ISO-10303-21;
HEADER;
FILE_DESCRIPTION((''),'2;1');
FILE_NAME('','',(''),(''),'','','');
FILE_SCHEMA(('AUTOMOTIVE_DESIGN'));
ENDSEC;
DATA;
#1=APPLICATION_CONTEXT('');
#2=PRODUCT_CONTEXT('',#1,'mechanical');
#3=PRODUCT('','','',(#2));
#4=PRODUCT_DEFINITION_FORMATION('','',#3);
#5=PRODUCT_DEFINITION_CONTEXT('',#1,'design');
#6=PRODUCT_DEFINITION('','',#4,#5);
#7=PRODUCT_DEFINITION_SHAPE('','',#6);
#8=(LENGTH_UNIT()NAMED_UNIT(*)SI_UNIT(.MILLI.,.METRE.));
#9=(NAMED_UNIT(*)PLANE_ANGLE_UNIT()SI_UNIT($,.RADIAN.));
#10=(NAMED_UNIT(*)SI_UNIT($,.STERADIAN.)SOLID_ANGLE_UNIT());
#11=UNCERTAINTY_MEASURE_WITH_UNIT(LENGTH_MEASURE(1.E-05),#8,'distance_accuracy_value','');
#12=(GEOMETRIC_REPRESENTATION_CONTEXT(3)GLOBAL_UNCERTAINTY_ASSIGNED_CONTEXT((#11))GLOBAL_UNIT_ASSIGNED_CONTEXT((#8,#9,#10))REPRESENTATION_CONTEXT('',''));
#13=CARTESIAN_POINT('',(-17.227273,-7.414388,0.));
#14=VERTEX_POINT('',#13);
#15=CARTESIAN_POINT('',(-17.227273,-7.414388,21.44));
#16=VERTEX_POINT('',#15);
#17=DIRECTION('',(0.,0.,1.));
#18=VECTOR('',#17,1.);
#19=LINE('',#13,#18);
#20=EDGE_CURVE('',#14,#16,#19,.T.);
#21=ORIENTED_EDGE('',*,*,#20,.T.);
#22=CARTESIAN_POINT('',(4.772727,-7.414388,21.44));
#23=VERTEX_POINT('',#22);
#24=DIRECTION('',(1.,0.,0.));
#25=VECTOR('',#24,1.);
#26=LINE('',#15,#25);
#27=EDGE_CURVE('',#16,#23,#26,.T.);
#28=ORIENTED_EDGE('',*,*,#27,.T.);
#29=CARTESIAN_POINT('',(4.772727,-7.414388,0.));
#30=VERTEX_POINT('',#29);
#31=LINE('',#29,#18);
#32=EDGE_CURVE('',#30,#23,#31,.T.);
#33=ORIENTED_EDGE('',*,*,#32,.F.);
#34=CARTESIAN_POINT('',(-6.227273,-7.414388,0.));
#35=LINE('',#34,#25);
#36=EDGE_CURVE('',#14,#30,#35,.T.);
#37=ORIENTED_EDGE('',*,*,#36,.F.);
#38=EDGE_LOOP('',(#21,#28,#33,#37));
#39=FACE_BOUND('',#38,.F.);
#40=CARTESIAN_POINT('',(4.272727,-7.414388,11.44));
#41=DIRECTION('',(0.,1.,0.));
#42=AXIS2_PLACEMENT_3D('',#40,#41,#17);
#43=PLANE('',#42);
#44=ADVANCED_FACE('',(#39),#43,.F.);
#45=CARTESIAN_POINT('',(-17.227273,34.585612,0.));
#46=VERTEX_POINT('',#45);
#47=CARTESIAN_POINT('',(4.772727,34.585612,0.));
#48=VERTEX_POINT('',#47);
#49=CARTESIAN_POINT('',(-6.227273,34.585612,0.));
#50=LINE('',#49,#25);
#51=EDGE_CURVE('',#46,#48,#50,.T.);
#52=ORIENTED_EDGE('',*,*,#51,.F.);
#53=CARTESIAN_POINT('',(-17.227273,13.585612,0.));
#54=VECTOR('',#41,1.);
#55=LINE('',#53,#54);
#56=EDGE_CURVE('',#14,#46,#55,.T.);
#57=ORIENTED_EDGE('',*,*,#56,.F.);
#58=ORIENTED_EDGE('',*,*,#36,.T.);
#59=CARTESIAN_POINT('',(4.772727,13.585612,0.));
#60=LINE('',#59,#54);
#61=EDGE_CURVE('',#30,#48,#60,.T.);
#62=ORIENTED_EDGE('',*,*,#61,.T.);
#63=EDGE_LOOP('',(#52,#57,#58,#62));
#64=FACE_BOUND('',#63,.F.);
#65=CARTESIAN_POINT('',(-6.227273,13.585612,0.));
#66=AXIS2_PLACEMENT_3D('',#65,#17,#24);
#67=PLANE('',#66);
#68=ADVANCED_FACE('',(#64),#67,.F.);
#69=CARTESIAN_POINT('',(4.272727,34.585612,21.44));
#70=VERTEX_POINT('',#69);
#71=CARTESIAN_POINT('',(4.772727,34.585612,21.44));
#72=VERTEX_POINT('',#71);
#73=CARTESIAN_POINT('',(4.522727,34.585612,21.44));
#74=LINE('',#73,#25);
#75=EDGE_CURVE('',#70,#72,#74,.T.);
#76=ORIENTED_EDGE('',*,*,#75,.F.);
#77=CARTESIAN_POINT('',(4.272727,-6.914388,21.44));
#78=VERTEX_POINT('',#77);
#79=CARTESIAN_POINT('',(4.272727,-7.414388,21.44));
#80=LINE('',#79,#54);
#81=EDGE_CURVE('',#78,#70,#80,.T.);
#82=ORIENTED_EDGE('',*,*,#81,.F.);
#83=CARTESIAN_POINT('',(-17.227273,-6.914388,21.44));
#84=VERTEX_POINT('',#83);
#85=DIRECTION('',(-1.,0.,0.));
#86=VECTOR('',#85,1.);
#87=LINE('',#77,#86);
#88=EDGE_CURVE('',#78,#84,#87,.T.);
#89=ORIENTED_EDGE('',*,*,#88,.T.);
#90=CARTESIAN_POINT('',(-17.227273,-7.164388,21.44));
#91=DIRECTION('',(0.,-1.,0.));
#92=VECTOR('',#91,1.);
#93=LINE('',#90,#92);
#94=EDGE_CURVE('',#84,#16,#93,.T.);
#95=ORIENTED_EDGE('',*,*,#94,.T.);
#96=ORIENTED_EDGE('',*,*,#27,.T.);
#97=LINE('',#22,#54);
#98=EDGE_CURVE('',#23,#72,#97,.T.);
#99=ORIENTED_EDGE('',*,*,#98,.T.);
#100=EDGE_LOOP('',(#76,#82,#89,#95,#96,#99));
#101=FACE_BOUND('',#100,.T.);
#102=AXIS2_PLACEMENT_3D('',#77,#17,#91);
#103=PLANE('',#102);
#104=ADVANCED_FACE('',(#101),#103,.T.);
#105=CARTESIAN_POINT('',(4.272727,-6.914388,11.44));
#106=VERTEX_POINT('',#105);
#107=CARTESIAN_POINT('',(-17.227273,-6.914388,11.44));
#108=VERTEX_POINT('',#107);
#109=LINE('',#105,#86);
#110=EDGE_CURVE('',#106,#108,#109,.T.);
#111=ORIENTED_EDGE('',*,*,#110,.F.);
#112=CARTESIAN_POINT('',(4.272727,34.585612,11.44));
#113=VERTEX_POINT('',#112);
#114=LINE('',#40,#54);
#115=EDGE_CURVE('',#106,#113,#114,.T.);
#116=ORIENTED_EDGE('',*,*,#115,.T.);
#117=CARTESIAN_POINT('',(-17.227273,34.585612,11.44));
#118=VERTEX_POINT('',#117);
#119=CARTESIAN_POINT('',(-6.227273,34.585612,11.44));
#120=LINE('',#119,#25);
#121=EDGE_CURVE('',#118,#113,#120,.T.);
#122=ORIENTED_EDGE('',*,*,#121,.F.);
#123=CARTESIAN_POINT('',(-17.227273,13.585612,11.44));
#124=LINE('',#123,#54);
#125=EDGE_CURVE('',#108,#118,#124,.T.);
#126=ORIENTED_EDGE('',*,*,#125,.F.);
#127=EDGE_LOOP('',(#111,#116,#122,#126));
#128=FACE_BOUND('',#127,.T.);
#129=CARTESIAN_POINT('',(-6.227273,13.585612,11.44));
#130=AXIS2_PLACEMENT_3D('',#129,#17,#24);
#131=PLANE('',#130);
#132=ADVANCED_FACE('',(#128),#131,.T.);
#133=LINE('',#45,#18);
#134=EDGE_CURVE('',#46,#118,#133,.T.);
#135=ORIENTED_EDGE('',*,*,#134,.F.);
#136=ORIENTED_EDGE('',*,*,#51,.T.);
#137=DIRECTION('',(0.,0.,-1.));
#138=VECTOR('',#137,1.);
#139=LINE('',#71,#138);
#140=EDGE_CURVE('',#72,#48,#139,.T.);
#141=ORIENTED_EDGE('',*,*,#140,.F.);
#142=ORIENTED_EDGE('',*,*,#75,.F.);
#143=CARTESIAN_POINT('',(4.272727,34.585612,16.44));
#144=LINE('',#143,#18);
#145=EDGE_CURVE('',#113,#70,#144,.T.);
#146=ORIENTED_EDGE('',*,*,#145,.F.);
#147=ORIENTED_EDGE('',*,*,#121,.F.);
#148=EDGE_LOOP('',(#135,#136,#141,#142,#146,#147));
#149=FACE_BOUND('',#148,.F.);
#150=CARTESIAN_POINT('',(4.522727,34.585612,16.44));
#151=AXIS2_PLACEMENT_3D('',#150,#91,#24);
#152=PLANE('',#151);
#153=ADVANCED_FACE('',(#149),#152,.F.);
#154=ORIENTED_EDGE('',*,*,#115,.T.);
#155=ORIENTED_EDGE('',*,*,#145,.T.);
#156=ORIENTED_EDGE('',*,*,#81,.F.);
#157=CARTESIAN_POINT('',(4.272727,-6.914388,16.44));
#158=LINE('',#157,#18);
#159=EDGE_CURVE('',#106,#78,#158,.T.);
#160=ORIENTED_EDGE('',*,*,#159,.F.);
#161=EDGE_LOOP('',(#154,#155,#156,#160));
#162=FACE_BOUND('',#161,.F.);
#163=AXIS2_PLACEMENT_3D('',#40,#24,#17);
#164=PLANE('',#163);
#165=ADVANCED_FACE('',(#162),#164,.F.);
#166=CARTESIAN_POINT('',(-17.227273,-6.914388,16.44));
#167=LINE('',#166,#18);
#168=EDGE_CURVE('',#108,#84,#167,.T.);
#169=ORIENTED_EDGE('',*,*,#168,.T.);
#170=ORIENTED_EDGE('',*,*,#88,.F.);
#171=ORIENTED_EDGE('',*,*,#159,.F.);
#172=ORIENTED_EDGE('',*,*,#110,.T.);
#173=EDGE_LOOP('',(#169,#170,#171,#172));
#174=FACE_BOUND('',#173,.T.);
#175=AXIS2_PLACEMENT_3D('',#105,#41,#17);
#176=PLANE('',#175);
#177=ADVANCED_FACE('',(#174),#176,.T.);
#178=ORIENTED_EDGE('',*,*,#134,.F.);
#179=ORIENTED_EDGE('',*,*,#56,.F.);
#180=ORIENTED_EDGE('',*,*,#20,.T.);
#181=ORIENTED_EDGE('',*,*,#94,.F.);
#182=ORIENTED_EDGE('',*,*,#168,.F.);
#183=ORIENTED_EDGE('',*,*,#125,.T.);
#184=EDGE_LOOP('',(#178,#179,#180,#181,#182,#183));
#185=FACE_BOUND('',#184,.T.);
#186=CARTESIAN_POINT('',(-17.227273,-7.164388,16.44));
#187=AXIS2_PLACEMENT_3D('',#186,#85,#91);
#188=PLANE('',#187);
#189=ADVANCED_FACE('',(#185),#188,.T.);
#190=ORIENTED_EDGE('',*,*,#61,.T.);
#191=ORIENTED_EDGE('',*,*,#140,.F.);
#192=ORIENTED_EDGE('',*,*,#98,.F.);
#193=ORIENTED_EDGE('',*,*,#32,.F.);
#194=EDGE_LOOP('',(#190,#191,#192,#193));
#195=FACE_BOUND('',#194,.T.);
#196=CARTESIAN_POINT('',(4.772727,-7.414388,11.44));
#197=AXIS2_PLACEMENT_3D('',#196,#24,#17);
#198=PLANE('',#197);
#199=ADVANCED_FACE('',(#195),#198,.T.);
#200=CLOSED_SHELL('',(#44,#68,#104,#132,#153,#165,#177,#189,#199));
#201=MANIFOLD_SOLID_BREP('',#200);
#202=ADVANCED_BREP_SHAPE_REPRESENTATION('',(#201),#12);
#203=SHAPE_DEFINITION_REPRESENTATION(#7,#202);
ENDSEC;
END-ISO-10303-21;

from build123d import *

# Parameters (mm, degrees)
F0_W     = 22
F0_H     = 42
F1_DEPTH = 11.44
F2_W     = 0.5
F2_H     = 10
F3_DEPTH = 42
F4_W     = 0.5
F4_H     = 10
F5_DEPTH = 21.5


with BuildPart() as f1:
    # F0 (on Top) → F1 (new body)
    with BuildSketch(Plane.XY):
        with Locations((-6.227273, 13.585612)):
            Rectangle(F0_W, F0_H)
    extrude(amount=F1_DEPTH)

    # F2 (on face) → F3 (join)
    with BuildSketch(Plane.XZ.offset(7.414388)):
        with Locations((4.522727, 16.44)):
            Rectangle(F2_W, F2_H)
    extrude(amount=-F3_DEPTH)

    # F4 (on face) → F5 (join)
    with BuildSketch(Plane(origin=(4.272727, 0, 0), x_dir=(0, -1, 0), z_dir=(-1, 0, 0))):
        with Locations((7.164388, 16.44)):
            Rectangle(F4_W, F4_H)
    extrude(amount=F5_DEPTH)


solid = f1.part
